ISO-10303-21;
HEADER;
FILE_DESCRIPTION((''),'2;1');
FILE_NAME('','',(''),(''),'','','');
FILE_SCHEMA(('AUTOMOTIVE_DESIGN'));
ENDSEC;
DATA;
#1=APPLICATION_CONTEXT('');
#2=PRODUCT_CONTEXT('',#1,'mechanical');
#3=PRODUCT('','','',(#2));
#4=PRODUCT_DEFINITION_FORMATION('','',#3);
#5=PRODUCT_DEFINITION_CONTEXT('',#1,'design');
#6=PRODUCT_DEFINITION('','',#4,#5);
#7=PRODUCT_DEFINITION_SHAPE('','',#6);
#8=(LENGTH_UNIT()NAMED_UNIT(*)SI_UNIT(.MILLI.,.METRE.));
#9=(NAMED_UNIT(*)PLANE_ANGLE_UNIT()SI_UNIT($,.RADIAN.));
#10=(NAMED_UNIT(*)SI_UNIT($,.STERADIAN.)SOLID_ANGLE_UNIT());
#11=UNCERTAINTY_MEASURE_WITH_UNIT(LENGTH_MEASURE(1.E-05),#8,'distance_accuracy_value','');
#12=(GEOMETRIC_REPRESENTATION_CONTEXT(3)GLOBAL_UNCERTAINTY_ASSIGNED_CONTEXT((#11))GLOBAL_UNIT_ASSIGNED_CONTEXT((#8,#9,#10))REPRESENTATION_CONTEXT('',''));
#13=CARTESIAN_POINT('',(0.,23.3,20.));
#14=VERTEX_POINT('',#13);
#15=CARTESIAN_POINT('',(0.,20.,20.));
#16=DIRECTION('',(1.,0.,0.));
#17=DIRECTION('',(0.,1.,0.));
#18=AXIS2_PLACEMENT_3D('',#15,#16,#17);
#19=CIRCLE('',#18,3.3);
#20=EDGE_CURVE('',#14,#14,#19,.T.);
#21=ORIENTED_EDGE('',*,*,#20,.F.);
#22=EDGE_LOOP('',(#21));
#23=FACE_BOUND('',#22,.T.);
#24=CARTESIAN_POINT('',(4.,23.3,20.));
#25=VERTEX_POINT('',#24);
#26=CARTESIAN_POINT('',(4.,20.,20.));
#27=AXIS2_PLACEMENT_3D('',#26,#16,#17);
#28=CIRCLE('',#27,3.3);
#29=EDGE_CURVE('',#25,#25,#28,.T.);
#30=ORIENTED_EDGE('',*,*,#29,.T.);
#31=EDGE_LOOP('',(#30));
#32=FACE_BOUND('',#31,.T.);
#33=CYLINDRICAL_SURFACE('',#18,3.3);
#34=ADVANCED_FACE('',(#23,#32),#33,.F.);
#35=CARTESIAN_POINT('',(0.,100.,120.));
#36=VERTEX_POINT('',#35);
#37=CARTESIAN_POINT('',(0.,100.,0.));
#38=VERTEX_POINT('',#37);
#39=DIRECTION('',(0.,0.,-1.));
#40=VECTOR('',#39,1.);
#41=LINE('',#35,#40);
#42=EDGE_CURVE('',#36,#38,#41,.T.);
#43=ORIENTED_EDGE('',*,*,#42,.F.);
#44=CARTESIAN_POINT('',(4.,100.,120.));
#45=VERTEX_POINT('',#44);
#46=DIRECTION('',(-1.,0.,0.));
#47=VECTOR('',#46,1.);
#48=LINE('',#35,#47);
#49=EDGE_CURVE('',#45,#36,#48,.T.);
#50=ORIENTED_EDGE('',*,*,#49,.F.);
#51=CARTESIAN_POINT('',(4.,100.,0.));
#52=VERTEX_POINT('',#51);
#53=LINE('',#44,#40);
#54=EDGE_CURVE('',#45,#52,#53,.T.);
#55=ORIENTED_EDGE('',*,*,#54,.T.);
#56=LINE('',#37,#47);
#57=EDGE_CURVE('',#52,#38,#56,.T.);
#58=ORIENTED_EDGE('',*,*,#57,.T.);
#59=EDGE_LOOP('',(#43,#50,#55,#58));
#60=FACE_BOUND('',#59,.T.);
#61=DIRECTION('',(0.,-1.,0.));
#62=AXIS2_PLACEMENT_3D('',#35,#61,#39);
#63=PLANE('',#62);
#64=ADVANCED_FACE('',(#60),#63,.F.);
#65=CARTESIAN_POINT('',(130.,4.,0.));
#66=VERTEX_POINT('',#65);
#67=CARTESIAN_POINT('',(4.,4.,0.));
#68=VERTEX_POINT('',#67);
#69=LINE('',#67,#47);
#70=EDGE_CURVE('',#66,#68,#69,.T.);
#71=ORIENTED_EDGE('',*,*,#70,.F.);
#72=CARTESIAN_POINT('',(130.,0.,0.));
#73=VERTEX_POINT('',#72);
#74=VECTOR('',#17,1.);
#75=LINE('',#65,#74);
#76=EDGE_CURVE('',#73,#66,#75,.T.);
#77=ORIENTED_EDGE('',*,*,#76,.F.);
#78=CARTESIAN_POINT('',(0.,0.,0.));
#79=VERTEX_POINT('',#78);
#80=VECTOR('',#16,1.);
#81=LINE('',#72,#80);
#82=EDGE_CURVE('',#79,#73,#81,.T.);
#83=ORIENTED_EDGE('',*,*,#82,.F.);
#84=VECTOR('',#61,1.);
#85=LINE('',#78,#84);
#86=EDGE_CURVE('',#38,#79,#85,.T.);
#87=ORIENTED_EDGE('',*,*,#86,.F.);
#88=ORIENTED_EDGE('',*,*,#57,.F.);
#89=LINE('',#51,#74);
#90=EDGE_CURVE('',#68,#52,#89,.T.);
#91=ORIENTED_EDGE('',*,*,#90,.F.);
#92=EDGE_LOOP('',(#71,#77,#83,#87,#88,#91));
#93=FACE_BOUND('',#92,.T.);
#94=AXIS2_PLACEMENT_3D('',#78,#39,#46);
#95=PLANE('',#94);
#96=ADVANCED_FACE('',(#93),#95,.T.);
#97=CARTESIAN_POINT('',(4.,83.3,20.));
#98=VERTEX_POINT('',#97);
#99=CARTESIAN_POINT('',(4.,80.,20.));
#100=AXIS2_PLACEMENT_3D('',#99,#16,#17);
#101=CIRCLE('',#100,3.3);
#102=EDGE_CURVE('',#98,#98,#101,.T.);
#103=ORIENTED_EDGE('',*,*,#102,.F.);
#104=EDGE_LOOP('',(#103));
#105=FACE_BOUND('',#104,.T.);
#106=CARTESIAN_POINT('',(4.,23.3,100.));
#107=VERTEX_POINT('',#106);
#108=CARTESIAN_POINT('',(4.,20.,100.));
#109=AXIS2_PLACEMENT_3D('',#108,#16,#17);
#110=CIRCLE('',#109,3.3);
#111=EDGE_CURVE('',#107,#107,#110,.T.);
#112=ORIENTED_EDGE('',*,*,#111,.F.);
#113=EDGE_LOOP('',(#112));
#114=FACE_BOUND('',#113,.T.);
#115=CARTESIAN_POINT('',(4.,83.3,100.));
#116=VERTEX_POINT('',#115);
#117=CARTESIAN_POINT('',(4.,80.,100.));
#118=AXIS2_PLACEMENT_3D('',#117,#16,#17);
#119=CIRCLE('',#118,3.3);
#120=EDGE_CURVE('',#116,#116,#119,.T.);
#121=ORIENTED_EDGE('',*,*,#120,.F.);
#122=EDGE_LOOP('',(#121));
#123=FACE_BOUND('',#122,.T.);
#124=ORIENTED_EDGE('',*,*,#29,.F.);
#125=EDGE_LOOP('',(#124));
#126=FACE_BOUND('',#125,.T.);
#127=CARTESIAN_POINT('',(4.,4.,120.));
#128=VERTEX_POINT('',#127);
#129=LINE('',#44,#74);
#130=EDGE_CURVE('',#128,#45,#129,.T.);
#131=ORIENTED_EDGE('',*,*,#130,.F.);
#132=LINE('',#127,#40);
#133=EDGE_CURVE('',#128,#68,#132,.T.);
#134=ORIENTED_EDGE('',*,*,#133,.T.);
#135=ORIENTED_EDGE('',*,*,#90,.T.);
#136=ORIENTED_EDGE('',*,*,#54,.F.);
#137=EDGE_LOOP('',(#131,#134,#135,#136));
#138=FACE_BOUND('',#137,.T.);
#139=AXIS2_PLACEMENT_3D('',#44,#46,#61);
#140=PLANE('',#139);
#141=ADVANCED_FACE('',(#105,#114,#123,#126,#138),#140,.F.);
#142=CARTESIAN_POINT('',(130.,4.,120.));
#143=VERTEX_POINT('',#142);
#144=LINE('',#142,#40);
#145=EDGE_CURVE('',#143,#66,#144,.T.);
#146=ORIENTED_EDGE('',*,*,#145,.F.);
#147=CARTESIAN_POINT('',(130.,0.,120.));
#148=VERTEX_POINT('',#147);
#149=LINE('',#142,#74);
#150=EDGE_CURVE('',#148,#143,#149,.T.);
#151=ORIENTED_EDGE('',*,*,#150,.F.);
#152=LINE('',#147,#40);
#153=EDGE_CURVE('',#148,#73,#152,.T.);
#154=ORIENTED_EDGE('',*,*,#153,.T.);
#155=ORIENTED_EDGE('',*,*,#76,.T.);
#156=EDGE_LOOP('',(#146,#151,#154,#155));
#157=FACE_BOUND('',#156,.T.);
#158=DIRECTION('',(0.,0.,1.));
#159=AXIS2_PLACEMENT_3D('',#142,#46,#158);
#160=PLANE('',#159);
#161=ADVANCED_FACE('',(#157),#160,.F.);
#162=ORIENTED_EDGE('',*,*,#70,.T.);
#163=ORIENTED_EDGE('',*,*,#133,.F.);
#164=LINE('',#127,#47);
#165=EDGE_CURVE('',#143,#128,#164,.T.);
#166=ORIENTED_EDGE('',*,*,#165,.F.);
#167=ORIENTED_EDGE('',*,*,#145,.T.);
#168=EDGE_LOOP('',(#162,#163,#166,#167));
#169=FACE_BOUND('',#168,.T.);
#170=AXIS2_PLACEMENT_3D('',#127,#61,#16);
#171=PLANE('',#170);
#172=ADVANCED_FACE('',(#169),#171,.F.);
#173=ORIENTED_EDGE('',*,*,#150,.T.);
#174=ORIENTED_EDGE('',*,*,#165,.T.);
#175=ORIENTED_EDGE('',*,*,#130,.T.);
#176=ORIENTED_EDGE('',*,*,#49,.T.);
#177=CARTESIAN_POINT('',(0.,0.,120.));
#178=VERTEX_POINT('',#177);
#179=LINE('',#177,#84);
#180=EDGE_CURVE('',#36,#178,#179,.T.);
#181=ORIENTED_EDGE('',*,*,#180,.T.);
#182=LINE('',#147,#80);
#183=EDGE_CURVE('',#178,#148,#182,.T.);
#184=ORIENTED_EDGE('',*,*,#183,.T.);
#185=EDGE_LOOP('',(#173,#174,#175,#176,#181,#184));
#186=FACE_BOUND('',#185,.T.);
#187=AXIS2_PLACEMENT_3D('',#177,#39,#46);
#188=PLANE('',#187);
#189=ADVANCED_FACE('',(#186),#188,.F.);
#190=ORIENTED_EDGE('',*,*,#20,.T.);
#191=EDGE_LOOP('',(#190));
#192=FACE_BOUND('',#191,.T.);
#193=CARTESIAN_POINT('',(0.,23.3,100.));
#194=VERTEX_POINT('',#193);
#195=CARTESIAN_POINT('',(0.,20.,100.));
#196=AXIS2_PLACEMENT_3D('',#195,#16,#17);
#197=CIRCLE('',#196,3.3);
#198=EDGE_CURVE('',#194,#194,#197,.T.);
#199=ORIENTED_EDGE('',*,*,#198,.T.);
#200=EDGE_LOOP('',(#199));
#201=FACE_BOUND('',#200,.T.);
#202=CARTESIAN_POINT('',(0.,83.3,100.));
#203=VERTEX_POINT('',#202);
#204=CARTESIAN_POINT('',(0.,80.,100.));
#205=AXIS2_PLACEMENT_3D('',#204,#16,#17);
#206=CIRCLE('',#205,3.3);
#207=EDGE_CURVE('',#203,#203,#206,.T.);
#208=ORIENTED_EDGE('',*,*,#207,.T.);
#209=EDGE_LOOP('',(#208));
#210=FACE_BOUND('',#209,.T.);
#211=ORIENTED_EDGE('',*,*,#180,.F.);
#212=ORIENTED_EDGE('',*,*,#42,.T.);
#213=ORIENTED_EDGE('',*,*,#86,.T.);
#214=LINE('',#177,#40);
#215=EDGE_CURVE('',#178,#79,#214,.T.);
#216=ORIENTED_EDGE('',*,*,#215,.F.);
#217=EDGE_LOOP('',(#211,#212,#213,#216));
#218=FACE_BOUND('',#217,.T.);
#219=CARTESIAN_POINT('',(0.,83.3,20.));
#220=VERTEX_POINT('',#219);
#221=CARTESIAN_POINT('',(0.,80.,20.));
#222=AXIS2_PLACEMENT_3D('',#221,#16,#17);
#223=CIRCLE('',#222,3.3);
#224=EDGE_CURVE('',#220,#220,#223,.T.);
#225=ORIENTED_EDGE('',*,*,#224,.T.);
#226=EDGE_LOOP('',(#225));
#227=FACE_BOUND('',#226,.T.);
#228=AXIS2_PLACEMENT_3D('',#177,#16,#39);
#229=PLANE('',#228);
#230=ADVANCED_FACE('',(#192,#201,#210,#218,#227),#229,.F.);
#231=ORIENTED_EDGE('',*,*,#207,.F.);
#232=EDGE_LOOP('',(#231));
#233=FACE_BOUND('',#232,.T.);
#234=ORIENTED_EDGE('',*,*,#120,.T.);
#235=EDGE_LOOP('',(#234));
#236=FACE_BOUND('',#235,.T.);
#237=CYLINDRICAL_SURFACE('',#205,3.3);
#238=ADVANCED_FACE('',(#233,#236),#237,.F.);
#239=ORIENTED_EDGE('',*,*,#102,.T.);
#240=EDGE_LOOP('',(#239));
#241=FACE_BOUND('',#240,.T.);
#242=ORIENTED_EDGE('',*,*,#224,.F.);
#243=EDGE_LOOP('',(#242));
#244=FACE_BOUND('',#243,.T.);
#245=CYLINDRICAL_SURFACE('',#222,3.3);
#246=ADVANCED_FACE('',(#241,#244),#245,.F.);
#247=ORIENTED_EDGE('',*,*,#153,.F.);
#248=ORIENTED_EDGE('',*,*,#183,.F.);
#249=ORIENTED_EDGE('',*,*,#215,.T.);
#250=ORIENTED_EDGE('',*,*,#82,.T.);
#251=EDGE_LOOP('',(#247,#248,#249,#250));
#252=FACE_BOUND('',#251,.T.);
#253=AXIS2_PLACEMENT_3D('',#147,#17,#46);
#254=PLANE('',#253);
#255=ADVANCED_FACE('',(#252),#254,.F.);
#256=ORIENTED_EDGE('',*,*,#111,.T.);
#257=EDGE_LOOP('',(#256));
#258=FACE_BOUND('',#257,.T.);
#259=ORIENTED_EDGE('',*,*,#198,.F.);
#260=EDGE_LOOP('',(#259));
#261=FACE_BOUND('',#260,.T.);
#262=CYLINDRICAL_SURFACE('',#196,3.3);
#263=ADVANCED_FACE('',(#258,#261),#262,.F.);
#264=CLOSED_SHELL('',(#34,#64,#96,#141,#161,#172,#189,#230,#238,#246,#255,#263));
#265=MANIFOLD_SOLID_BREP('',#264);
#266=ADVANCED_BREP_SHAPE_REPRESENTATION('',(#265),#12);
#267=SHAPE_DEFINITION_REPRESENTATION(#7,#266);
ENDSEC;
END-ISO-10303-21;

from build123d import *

# Parameters (mm, degrees)
BOSS_EXTRUDE1_DEPTH = 120
SKETCH4_R           = 3.3
CUT_EXTRUDE1_DEPTH  = 201.688813839


with BuildPart() as part:
    # Sketch2 → Boss-Extrude1 (new body)
    with BuildSketch(Plane.XY):
        Polygon((0, 0), (0, 100), (4, 100), (4, 4), (130, 4), (130, 0), align=None)
    extrude(amount=BOSS_EXTRUDE1_DEPTH)

    # Sketch4 → Cut-Extrude1 (cut, through all)
    with BuildSketch(Plane(origin=(4, 0, 0), x_dir=(0, 0, -1), z_dir=(1, 0, 0))):
        with Locations(Location((-100, 80, 0), (0, 0, 90))):
            Circle(SKETCH4_R)
        with Locations(Location((-20, 80, 0), (0, 0, 90))):
            Circle(SKETCH4_R)
        with Locations(Location((-20, 20, 0), (0, 0, 90))):
            Circle(SKETCH4_R)
        with Locations(Location((-100, 20, 0), (0, 0, 90))):
            Circle(SKETCH4_R)
    extrude(amount=-CUT_EXTRUDE1_DEPTH, mode=Mode.SUBTRACT)


solid = part.part
